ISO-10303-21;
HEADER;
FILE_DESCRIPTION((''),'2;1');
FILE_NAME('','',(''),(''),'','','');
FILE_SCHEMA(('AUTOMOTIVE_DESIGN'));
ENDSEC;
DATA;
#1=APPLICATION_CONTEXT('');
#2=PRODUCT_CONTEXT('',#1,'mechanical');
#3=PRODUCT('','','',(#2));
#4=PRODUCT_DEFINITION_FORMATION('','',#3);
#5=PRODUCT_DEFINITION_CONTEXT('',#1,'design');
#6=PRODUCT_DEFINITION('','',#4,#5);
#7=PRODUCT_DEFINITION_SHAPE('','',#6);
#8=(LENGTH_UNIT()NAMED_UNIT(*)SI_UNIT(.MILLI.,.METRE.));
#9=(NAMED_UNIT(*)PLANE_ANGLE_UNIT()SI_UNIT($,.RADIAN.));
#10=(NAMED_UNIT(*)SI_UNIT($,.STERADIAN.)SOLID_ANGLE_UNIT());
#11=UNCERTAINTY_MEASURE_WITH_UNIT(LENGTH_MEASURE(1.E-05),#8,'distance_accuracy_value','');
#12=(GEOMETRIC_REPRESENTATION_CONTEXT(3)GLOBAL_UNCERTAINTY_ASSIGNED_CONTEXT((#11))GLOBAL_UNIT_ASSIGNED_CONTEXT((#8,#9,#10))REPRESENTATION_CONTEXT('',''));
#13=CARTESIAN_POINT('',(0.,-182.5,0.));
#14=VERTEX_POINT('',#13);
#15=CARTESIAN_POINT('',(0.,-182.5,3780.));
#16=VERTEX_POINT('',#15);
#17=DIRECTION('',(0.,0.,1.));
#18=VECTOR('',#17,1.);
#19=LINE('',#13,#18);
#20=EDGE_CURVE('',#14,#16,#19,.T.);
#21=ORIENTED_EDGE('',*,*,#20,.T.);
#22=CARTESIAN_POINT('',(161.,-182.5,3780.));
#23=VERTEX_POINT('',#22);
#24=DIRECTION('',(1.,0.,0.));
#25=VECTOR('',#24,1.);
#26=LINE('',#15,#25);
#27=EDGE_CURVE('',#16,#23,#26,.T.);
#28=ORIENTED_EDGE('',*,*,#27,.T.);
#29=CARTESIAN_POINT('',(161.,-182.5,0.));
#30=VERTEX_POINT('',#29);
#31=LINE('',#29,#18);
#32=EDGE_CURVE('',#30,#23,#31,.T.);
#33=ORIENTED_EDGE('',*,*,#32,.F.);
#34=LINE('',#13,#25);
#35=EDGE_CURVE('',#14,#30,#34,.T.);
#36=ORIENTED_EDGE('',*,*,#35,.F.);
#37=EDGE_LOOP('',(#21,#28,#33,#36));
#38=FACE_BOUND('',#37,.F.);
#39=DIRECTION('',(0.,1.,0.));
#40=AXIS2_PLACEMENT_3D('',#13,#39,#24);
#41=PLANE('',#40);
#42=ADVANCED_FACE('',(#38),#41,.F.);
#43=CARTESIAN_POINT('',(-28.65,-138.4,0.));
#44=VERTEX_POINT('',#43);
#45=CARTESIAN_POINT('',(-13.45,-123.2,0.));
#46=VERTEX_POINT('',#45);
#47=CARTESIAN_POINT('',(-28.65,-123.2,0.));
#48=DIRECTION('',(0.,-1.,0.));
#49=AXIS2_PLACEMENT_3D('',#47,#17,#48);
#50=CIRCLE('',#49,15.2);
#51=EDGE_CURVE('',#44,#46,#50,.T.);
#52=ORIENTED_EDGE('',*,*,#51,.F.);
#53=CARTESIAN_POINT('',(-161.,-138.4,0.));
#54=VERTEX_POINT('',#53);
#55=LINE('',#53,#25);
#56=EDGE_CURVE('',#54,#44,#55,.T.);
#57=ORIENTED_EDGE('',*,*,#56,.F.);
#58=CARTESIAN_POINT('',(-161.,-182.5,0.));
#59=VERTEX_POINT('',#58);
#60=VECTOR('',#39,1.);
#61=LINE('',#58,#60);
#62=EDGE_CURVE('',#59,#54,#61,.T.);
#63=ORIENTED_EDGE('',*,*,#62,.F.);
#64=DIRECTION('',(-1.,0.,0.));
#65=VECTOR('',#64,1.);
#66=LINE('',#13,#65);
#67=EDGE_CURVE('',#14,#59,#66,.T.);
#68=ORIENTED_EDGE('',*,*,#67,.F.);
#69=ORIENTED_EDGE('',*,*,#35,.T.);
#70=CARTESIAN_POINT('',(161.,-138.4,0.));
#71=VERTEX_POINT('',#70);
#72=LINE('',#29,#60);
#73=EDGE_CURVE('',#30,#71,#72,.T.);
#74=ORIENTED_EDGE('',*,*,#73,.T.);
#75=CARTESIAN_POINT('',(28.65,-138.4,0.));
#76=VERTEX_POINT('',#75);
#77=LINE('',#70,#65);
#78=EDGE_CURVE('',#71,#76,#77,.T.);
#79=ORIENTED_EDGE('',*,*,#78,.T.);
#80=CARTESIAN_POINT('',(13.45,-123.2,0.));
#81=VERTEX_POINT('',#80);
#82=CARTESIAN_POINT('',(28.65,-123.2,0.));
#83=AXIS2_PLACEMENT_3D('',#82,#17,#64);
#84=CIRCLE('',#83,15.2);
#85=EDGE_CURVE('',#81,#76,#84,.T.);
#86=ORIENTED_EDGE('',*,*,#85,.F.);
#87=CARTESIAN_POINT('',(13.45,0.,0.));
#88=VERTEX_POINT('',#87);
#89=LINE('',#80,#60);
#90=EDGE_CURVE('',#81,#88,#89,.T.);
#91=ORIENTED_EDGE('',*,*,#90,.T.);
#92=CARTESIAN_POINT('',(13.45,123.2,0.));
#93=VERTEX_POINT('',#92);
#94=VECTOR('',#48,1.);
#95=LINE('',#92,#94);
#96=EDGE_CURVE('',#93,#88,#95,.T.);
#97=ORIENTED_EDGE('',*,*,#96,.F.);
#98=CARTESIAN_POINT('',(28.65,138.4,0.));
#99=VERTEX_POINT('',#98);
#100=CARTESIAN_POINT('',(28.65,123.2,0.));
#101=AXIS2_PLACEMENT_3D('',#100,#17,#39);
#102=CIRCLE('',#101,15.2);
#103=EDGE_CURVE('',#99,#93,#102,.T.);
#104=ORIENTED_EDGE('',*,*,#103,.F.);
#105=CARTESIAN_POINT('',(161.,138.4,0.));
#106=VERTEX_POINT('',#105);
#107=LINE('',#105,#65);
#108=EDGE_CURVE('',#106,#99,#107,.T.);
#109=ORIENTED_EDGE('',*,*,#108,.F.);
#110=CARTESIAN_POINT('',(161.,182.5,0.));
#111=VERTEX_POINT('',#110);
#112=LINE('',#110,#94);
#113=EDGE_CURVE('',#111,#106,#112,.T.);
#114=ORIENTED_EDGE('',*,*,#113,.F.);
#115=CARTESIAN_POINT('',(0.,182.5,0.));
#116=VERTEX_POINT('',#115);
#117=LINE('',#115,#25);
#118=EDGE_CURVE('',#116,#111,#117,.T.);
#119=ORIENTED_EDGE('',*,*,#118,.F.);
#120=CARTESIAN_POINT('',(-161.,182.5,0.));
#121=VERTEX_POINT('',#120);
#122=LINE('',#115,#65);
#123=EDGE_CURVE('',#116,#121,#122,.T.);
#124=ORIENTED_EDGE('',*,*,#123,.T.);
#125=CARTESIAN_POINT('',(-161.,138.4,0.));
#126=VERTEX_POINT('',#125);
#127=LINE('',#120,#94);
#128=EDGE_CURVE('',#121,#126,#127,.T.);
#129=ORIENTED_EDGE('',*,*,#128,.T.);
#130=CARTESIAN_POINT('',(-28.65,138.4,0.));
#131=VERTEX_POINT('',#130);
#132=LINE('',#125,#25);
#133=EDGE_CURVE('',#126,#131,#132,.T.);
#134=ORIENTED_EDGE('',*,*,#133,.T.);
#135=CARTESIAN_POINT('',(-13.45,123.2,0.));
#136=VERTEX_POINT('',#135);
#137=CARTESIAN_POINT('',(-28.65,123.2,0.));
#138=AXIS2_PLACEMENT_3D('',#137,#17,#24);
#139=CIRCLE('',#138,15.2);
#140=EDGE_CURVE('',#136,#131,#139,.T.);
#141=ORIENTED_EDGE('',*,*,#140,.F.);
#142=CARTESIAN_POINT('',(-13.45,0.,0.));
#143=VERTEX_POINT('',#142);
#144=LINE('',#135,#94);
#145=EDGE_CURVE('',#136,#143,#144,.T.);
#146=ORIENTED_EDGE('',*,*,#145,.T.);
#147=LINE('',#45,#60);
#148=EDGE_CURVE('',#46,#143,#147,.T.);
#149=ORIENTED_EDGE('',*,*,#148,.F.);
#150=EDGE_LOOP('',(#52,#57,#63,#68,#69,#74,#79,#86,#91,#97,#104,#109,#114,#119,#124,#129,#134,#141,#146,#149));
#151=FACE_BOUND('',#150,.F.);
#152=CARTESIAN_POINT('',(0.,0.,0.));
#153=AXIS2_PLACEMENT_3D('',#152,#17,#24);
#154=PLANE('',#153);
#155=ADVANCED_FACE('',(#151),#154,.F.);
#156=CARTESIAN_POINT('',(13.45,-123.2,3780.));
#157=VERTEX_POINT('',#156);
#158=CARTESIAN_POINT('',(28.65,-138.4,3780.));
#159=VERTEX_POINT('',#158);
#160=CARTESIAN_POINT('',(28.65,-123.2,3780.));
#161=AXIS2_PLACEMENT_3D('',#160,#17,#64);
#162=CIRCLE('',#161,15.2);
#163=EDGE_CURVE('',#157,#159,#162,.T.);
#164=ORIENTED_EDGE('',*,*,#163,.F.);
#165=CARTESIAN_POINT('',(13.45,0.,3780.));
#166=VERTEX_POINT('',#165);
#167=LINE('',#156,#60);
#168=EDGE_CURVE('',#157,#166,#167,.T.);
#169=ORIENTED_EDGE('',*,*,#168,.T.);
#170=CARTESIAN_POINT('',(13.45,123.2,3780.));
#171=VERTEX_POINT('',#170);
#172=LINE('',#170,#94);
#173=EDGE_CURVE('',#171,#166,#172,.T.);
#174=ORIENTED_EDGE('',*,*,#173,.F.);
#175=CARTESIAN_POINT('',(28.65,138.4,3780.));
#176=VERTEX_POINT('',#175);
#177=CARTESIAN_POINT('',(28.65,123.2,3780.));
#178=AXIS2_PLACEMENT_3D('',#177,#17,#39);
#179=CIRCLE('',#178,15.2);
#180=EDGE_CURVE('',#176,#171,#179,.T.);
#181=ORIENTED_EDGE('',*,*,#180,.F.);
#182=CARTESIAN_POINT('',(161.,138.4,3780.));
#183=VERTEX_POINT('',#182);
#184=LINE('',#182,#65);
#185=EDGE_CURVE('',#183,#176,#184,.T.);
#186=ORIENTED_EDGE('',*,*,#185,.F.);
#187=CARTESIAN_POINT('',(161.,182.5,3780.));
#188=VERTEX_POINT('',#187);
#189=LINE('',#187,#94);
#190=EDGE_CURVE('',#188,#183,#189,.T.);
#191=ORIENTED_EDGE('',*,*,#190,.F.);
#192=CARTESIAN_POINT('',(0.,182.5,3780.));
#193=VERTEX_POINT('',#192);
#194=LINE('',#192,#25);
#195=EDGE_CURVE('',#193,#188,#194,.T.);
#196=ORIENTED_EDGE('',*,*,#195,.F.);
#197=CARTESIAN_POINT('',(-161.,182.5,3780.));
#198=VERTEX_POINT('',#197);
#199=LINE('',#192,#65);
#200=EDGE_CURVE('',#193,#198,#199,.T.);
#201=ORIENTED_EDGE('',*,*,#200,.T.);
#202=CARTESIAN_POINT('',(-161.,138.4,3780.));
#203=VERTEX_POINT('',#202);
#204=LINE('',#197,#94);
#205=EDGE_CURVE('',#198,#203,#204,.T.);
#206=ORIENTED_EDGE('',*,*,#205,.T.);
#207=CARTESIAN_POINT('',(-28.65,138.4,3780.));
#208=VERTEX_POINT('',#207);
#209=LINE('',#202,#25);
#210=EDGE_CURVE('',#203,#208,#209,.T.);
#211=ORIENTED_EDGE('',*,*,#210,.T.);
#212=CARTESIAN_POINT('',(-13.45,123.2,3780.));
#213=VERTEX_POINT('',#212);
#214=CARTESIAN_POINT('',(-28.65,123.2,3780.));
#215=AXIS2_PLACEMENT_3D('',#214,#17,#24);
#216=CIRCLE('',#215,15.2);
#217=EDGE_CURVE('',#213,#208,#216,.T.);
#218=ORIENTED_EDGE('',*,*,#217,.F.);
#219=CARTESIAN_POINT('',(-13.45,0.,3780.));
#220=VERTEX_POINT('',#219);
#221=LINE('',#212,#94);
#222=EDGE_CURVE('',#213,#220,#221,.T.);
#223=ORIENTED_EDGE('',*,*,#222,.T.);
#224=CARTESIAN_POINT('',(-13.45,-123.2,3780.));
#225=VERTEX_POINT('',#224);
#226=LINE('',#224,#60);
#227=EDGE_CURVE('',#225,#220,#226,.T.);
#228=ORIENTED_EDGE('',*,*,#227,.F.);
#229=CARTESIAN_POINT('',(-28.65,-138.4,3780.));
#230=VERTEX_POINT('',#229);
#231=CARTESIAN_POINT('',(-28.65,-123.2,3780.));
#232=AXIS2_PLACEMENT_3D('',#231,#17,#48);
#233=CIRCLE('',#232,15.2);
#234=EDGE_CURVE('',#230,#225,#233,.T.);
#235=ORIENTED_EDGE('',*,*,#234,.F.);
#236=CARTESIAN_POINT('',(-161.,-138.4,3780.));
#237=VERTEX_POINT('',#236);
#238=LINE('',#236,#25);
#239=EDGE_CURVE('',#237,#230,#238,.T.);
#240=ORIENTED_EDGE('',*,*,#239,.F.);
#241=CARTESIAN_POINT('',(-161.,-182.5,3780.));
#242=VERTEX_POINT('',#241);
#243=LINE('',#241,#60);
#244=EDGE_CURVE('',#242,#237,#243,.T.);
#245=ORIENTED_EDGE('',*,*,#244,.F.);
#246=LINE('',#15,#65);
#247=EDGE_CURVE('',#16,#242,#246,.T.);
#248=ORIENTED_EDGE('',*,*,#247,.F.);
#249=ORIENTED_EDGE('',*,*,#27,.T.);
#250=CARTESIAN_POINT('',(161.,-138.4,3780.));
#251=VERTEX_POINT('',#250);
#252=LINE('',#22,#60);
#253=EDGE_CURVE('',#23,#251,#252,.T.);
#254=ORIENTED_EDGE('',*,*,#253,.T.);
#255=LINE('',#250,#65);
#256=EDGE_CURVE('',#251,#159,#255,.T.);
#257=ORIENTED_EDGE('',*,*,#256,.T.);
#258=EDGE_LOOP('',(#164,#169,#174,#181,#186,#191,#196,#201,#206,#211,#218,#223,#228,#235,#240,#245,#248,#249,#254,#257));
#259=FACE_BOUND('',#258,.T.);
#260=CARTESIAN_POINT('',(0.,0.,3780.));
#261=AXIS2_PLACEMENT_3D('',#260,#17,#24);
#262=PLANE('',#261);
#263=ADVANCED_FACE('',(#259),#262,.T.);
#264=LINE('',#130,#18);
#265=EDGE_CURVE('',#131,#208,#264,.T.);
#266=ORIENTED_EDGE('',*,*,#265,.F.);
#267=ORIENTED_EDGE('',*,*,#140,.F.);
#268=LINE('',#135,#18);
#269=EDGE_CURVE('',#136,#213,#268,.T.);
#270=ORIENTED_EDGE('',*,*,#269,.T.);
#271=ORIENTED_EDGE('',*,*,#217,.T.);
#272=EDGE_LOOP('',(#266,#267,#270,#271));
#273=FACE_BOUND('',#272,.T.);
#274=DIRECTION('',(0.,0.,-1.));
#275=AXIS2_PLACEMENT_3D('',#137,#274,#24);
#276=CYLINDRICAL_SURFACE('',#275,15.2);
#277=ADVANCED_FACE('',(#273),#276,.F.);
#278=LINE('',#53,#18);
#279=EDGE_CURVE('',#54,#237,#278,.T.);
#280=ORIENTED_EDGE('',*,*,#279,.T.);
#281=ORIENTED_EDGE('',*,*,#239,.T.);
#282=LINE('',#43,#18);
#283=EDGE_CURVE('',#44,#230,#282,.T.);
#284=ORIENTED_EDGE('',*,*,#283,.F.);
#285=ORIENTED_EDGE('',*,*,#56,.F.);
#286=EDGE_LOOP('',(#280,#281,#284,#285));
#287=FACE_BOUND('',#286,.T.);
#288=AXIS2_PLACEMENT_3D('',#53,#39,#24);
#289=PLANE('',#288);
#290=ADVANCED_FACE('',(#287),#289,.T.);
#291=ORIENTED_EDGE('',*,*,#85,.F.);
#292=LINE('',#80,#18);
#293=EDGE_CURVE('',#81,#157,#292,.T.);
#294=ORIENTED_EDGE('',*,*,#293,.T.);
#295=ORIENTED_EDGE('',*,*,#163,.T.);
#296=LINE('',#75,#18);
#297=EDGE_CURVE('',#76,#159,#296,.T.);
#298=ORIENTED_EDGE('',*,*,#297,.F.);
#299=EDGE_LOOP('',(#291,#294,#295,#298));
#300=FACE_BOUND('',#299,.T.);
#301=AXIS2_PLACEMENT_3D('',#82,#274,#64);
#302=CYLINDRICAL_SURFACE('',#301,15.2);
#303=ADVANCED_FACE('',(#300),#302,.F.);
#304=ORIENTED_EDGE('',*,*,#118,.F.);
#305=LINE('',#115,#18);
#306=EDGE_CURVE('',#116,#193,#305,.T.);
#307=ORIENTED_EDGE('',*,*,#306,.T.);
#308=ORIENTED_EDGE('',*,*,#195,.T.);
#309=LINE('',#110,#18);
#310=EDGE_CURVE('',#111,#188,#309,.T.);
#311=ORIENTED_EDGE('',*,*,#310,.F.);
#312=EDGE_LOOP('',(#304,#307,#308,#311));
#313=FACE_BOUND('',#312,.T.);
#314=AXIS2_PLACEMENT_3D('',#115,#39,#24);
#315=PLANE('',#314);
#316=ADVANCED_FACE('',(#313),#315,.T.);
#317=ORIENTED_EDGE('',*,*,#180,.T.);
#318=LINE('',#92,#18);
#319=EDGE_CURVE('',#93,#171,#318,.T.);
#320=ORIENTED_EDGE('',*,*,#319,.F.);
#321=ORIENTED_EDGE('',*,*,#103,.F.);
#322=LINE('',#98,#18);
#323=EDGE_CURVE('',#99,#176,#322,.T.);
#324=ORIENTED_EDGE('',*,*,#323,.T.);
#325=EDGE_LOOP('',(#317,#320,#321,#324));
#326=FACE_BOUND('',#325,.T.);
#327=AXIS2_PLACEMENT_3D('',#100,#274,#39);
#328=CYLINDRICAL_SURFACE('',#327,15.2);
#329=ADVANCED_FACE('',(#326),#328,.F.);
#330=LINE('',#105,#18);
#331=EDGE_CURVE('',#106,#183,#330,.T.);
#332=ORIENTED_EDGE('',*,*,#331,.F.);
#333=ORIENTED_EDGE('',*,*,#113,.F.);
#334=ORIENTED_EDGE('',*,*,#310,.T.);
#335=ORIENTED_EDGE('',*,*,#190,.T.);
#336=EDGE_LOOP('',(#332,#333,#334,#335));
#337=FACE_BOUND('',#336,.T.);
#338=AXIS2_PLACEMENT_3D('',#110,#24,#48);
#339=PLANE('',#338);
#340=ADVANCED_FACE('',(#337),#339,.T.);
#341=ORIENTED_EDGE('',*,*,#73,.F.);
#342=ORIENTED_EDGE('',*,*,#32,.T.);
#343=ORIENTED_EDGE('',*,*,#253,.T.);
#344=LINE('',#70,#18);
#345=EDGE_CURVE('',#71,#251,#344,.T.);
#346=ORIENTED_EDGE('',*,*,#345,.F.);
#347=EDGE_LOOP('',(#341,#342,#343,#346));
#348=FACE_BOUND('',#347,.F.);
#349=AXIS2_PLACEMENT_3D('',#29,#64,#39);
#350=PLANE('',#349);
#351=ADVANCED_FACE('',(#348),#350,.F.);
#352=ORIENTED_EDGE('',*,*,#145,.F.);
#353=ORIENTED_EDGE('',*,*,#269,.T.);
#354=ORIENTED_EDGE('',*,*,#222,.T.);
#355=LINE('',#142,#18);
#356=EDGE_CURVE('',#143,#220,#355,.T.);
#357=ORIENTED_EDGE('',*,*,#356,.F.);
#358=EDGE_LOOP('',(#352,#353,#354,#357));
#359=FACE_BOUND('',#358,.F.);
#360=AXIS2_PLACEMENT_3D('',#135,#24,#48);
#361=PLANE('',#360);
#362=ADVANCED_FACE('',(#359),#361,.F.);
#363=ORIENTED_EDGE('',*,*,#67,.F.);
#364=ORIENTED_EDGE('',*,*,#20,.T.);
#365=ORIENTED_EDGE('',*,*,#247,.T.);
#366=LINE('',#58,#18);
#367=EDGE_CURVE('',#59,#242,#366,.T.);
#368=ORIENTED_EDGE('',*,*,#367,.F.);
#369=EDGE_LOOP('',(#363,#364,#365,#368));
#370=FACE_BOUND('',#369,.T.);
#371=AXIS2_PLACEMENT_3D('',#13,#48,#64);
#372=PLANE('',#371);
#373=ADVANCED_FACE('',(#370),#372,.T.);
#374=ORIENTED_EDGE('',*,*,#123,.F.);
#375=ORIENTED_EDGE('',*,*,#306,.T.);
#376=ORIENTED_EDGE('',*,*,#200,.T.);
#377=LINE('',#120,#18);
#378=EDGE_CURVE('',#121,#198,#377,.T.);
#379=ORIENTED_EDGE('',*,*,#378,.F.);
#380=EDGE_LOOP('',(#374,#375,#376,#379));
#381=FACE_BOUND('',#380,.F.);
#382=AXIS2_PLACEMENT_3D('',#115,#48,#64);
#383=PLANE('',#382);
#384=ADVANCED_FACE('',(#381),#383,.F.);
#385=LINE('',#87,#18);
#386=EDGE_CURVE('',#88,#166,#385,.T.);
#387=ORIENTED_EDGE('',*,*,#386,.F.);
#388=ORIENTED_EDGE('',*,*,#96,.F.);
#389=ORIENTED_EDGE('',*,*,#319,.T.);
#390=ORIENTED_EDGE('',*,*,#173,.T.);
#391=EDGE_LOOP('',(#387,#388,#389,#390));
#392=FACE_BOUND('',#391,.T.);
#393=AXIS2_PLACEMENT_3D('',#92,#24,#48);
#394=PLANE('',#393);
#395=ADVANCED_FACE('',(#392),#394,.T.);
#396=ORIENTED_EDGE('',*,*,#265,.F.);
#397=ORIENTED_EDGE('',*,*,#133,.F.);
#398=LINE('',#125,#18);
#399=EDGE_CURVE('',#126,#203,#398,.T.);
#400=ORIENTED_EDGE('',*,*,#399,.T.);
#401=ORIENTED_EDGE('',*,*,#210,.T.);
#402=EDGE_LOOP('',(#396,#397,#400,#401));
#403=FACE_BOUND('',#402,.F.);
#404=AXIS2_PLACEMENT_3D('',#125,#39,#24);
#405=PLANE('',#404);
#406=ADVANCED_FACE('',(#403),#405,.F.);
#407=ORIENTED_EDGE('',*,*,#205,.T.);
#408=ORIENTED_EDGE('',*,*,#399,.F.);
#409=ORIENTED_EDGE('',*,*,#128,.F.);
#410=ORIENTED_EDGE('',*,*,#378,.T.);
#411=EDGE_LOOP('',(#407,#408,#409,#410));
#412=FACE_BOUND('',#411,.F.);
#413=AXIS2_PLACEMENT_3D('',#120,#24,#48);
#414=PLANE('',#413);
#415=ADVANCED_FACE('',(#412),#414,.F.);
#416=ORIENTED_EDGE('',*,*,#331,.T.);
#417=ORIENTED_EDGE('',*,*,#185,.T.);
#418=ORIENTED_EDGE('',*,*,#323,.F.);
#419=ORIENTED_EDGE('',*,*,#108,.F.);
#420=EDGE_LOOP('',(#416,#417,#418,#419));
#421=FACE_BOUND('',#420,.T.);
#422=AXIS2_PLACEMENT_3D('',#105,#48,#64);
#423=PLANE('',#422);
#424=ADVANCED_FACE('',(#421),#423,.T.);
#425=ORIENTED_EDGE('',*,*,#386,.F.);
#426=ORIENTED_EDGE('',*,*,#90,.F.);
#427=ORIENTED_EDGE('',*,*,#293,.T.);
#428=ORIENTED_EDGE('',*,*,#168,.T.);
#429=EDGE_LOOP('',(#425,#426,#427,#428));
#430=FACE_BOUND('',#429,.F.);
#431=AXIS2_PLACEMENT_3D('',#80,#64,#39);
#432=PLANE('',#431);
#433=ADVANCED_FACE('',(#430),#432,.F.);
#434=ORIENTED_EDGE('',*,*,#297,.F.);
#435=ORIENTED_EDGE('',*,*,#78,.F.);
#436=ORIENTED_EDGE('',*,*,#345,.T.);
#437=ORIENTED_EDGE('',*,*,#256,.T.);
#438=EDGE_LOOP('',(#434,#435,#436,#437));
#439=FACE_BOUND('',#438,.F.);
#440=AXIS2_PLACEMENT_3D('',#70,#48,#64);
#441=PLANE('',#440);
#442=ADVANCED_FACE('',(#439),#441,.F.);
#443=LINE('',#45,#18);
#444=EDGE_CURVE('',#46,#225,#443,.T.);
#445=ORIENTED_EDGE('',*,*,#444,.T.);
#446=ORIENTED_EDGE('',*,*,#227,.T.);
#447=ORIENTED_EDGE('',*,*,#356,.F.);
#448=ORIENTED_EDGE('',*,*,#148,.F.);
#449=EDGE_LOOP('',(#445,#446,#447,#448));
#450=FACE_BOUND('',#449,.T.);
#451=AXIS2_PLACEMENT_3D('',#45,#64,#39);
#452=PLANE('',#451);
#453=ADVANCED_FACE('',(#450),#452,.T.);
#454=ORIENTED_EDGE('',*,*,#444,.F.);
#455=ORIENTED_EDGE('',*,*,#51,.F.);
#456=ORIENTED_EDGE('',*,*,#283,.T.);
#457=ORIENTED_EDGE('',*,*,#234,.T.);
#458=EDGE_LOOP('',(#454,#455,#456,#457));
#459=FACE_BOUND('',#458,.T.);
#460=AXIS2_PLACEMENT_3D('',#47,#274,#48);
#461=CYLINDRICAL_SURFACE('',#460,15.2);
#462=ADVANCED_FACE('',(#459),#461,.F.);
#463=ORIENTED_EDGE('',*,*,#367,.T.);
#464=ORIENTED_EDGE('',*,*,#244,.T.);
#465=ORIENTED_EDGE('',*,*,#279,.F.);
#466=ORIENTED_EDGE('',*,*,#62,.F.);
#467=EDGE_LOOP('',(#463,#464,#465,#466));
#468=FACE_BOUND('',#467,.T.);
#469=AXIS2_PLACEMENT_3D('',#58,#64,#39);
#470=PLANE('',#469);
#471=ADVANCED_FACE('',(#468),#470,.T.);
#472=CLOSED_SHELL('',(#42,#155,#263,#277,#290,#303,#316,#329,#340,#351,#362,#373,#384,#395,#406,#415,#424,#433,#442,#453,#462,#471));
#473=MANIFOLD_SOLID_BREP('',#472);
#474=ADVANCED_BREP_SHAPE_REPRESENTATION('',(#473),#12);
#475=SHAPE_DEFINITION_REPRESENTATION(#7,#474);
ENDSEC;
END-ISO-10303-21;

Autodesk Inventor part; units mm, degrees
ref_plane "YZ Plane" through (0, 0, 0) normal (1, 0, 0) x (0, 1, 0)
ref_plane "Start plane" through (0, 0, 0) normal (0, 0, 1) x (1, 0, 0)
ref_plane "End plane" through (0, 0, 3780) normal (0, 0, 1) x (1, 0, 0)
sketch "Sketch" plane through (0, 0, 0) normal (0, 0, 1) x (1, 0, 0)
  line L0 (-161, -182.5) -> (-161, -138.4)
  line L1 (-161, -138.4) -> (-28.65, -138.4)
  line L2 (-13.45, -123.2) -> (-13.45, 0)
  line L3 (-13.45, 0) -> (0, 0) construction
  line L4 (0, 0) -> (0, -182.5) construction
  line L5 (0, -182.5) -> (-161, -182.5)
  line L6 (-60, 0) -> (80, 0) construction
  line L7 (0, -60) -> (0, 80) construction
  line L8 (161, -182.5) -> (161, -138.4)
  line L9 (161, -138.4) -> (28.65, -138.4)
  line L10 (13.45, -123.2) -> (13.45, 0)
  line L11 (13.45, 0) -> (0, 0) construction
  line L12 (0, -182.5) -> (161, -182.5)
  line L13 (-161, 182.5) -> (-161, 138.4)
  line L14 (-161, 138.4) -> (-28.65, 138.4)
  line L15 (-13.45, 123.2) -> (-13.45, 0)
  line L16 (0, 182.5) -> (-161, 182.5)
  line L17 (161, 182.5) -> (161, 138.4)
  line L18 (161, 138.4) -> (28.65, 138.4)
  line L19 (0, 182.5) -> (161, 182.5)
  line L20 (13.45, 123.2) -> (13.45, 0)
  arc A0 (-13.45, 123.2) -> (-28.65, 138.4) centre (-28.65, 123.2) ccw
  arc A1 (28.65, 138.4) -> (13.45, 123.2) centre (28.65, 123.2) ccw
  arc A2 (13.45, -123.2) -> (28.65, -138.4) centre (28.65, -123.2) ccw
  arc A3 (-28.65, -138.4) -> (-13.45, -123.2) centre (-28.65, -123.2) ccw
  line L21 (0, 108) -> (0, -88) construction
  line L22 (-88, 0) -> (108, 0) construction
  point P0 (-13.45, -138.4)
  point P1 (13.45, -138.4)
  point P2 (-13.45, 138.4)
  point P3 (13.45, 138.4)
  dimension "d1" = 182.5
  dimension "d2" = 44.1
  dimension "d3" = 161
  dimension "d4" = 13.45
  dimension "d10" = 15.2
extrude "Body" add sketch "Sketch" along normal up to surface (3780 mm away) from surface at 0
sketch "Sketch4" plane through (0, 0, 0) normal (0, 0, 1) x (1, 0, 0)
  line L0 (0, 0) -> (10, 0)
ref_plane "Work Plane3" through (0, 0, 0) normal (0, -1, 0) x (1, 0, 0)
sketch "Sketch5" plane through (0, 0, 0) normal (0, -1, 0) x (1, 0, 0)
  line L0 (-2, 0) -> (12, 0) projected
  line L1 (-2, 3780) -> (12, 3780) projected
  dimension "d14" = 3780
equation "\"d1\" = 0.5 * G_H"
equation "\"d2\" = G_T1"
equation "\"d3\" = 0.5 * G_W"
equation "\"d4\" = 0.5 * G_T"
equation "\"d10\" = G_IR"
equation "\"d5\" = G_L"
equation "\"G_W\" = 322"
equation "\"G_H\" = 365"
equation "\"G_T\" = 26.9"
equation "\"G_T1\" = 44.1"
equation "\"G_IR\" = 15.2"
equation "\"G_L\" = d14"
equation "\"G_OFFSET_START\" = 0"
equation "\"G_OFFSET_END\" = 0"
properties part number "AS 3679 - 310 UC - 283 - 3780" material "Steel, Mild"
